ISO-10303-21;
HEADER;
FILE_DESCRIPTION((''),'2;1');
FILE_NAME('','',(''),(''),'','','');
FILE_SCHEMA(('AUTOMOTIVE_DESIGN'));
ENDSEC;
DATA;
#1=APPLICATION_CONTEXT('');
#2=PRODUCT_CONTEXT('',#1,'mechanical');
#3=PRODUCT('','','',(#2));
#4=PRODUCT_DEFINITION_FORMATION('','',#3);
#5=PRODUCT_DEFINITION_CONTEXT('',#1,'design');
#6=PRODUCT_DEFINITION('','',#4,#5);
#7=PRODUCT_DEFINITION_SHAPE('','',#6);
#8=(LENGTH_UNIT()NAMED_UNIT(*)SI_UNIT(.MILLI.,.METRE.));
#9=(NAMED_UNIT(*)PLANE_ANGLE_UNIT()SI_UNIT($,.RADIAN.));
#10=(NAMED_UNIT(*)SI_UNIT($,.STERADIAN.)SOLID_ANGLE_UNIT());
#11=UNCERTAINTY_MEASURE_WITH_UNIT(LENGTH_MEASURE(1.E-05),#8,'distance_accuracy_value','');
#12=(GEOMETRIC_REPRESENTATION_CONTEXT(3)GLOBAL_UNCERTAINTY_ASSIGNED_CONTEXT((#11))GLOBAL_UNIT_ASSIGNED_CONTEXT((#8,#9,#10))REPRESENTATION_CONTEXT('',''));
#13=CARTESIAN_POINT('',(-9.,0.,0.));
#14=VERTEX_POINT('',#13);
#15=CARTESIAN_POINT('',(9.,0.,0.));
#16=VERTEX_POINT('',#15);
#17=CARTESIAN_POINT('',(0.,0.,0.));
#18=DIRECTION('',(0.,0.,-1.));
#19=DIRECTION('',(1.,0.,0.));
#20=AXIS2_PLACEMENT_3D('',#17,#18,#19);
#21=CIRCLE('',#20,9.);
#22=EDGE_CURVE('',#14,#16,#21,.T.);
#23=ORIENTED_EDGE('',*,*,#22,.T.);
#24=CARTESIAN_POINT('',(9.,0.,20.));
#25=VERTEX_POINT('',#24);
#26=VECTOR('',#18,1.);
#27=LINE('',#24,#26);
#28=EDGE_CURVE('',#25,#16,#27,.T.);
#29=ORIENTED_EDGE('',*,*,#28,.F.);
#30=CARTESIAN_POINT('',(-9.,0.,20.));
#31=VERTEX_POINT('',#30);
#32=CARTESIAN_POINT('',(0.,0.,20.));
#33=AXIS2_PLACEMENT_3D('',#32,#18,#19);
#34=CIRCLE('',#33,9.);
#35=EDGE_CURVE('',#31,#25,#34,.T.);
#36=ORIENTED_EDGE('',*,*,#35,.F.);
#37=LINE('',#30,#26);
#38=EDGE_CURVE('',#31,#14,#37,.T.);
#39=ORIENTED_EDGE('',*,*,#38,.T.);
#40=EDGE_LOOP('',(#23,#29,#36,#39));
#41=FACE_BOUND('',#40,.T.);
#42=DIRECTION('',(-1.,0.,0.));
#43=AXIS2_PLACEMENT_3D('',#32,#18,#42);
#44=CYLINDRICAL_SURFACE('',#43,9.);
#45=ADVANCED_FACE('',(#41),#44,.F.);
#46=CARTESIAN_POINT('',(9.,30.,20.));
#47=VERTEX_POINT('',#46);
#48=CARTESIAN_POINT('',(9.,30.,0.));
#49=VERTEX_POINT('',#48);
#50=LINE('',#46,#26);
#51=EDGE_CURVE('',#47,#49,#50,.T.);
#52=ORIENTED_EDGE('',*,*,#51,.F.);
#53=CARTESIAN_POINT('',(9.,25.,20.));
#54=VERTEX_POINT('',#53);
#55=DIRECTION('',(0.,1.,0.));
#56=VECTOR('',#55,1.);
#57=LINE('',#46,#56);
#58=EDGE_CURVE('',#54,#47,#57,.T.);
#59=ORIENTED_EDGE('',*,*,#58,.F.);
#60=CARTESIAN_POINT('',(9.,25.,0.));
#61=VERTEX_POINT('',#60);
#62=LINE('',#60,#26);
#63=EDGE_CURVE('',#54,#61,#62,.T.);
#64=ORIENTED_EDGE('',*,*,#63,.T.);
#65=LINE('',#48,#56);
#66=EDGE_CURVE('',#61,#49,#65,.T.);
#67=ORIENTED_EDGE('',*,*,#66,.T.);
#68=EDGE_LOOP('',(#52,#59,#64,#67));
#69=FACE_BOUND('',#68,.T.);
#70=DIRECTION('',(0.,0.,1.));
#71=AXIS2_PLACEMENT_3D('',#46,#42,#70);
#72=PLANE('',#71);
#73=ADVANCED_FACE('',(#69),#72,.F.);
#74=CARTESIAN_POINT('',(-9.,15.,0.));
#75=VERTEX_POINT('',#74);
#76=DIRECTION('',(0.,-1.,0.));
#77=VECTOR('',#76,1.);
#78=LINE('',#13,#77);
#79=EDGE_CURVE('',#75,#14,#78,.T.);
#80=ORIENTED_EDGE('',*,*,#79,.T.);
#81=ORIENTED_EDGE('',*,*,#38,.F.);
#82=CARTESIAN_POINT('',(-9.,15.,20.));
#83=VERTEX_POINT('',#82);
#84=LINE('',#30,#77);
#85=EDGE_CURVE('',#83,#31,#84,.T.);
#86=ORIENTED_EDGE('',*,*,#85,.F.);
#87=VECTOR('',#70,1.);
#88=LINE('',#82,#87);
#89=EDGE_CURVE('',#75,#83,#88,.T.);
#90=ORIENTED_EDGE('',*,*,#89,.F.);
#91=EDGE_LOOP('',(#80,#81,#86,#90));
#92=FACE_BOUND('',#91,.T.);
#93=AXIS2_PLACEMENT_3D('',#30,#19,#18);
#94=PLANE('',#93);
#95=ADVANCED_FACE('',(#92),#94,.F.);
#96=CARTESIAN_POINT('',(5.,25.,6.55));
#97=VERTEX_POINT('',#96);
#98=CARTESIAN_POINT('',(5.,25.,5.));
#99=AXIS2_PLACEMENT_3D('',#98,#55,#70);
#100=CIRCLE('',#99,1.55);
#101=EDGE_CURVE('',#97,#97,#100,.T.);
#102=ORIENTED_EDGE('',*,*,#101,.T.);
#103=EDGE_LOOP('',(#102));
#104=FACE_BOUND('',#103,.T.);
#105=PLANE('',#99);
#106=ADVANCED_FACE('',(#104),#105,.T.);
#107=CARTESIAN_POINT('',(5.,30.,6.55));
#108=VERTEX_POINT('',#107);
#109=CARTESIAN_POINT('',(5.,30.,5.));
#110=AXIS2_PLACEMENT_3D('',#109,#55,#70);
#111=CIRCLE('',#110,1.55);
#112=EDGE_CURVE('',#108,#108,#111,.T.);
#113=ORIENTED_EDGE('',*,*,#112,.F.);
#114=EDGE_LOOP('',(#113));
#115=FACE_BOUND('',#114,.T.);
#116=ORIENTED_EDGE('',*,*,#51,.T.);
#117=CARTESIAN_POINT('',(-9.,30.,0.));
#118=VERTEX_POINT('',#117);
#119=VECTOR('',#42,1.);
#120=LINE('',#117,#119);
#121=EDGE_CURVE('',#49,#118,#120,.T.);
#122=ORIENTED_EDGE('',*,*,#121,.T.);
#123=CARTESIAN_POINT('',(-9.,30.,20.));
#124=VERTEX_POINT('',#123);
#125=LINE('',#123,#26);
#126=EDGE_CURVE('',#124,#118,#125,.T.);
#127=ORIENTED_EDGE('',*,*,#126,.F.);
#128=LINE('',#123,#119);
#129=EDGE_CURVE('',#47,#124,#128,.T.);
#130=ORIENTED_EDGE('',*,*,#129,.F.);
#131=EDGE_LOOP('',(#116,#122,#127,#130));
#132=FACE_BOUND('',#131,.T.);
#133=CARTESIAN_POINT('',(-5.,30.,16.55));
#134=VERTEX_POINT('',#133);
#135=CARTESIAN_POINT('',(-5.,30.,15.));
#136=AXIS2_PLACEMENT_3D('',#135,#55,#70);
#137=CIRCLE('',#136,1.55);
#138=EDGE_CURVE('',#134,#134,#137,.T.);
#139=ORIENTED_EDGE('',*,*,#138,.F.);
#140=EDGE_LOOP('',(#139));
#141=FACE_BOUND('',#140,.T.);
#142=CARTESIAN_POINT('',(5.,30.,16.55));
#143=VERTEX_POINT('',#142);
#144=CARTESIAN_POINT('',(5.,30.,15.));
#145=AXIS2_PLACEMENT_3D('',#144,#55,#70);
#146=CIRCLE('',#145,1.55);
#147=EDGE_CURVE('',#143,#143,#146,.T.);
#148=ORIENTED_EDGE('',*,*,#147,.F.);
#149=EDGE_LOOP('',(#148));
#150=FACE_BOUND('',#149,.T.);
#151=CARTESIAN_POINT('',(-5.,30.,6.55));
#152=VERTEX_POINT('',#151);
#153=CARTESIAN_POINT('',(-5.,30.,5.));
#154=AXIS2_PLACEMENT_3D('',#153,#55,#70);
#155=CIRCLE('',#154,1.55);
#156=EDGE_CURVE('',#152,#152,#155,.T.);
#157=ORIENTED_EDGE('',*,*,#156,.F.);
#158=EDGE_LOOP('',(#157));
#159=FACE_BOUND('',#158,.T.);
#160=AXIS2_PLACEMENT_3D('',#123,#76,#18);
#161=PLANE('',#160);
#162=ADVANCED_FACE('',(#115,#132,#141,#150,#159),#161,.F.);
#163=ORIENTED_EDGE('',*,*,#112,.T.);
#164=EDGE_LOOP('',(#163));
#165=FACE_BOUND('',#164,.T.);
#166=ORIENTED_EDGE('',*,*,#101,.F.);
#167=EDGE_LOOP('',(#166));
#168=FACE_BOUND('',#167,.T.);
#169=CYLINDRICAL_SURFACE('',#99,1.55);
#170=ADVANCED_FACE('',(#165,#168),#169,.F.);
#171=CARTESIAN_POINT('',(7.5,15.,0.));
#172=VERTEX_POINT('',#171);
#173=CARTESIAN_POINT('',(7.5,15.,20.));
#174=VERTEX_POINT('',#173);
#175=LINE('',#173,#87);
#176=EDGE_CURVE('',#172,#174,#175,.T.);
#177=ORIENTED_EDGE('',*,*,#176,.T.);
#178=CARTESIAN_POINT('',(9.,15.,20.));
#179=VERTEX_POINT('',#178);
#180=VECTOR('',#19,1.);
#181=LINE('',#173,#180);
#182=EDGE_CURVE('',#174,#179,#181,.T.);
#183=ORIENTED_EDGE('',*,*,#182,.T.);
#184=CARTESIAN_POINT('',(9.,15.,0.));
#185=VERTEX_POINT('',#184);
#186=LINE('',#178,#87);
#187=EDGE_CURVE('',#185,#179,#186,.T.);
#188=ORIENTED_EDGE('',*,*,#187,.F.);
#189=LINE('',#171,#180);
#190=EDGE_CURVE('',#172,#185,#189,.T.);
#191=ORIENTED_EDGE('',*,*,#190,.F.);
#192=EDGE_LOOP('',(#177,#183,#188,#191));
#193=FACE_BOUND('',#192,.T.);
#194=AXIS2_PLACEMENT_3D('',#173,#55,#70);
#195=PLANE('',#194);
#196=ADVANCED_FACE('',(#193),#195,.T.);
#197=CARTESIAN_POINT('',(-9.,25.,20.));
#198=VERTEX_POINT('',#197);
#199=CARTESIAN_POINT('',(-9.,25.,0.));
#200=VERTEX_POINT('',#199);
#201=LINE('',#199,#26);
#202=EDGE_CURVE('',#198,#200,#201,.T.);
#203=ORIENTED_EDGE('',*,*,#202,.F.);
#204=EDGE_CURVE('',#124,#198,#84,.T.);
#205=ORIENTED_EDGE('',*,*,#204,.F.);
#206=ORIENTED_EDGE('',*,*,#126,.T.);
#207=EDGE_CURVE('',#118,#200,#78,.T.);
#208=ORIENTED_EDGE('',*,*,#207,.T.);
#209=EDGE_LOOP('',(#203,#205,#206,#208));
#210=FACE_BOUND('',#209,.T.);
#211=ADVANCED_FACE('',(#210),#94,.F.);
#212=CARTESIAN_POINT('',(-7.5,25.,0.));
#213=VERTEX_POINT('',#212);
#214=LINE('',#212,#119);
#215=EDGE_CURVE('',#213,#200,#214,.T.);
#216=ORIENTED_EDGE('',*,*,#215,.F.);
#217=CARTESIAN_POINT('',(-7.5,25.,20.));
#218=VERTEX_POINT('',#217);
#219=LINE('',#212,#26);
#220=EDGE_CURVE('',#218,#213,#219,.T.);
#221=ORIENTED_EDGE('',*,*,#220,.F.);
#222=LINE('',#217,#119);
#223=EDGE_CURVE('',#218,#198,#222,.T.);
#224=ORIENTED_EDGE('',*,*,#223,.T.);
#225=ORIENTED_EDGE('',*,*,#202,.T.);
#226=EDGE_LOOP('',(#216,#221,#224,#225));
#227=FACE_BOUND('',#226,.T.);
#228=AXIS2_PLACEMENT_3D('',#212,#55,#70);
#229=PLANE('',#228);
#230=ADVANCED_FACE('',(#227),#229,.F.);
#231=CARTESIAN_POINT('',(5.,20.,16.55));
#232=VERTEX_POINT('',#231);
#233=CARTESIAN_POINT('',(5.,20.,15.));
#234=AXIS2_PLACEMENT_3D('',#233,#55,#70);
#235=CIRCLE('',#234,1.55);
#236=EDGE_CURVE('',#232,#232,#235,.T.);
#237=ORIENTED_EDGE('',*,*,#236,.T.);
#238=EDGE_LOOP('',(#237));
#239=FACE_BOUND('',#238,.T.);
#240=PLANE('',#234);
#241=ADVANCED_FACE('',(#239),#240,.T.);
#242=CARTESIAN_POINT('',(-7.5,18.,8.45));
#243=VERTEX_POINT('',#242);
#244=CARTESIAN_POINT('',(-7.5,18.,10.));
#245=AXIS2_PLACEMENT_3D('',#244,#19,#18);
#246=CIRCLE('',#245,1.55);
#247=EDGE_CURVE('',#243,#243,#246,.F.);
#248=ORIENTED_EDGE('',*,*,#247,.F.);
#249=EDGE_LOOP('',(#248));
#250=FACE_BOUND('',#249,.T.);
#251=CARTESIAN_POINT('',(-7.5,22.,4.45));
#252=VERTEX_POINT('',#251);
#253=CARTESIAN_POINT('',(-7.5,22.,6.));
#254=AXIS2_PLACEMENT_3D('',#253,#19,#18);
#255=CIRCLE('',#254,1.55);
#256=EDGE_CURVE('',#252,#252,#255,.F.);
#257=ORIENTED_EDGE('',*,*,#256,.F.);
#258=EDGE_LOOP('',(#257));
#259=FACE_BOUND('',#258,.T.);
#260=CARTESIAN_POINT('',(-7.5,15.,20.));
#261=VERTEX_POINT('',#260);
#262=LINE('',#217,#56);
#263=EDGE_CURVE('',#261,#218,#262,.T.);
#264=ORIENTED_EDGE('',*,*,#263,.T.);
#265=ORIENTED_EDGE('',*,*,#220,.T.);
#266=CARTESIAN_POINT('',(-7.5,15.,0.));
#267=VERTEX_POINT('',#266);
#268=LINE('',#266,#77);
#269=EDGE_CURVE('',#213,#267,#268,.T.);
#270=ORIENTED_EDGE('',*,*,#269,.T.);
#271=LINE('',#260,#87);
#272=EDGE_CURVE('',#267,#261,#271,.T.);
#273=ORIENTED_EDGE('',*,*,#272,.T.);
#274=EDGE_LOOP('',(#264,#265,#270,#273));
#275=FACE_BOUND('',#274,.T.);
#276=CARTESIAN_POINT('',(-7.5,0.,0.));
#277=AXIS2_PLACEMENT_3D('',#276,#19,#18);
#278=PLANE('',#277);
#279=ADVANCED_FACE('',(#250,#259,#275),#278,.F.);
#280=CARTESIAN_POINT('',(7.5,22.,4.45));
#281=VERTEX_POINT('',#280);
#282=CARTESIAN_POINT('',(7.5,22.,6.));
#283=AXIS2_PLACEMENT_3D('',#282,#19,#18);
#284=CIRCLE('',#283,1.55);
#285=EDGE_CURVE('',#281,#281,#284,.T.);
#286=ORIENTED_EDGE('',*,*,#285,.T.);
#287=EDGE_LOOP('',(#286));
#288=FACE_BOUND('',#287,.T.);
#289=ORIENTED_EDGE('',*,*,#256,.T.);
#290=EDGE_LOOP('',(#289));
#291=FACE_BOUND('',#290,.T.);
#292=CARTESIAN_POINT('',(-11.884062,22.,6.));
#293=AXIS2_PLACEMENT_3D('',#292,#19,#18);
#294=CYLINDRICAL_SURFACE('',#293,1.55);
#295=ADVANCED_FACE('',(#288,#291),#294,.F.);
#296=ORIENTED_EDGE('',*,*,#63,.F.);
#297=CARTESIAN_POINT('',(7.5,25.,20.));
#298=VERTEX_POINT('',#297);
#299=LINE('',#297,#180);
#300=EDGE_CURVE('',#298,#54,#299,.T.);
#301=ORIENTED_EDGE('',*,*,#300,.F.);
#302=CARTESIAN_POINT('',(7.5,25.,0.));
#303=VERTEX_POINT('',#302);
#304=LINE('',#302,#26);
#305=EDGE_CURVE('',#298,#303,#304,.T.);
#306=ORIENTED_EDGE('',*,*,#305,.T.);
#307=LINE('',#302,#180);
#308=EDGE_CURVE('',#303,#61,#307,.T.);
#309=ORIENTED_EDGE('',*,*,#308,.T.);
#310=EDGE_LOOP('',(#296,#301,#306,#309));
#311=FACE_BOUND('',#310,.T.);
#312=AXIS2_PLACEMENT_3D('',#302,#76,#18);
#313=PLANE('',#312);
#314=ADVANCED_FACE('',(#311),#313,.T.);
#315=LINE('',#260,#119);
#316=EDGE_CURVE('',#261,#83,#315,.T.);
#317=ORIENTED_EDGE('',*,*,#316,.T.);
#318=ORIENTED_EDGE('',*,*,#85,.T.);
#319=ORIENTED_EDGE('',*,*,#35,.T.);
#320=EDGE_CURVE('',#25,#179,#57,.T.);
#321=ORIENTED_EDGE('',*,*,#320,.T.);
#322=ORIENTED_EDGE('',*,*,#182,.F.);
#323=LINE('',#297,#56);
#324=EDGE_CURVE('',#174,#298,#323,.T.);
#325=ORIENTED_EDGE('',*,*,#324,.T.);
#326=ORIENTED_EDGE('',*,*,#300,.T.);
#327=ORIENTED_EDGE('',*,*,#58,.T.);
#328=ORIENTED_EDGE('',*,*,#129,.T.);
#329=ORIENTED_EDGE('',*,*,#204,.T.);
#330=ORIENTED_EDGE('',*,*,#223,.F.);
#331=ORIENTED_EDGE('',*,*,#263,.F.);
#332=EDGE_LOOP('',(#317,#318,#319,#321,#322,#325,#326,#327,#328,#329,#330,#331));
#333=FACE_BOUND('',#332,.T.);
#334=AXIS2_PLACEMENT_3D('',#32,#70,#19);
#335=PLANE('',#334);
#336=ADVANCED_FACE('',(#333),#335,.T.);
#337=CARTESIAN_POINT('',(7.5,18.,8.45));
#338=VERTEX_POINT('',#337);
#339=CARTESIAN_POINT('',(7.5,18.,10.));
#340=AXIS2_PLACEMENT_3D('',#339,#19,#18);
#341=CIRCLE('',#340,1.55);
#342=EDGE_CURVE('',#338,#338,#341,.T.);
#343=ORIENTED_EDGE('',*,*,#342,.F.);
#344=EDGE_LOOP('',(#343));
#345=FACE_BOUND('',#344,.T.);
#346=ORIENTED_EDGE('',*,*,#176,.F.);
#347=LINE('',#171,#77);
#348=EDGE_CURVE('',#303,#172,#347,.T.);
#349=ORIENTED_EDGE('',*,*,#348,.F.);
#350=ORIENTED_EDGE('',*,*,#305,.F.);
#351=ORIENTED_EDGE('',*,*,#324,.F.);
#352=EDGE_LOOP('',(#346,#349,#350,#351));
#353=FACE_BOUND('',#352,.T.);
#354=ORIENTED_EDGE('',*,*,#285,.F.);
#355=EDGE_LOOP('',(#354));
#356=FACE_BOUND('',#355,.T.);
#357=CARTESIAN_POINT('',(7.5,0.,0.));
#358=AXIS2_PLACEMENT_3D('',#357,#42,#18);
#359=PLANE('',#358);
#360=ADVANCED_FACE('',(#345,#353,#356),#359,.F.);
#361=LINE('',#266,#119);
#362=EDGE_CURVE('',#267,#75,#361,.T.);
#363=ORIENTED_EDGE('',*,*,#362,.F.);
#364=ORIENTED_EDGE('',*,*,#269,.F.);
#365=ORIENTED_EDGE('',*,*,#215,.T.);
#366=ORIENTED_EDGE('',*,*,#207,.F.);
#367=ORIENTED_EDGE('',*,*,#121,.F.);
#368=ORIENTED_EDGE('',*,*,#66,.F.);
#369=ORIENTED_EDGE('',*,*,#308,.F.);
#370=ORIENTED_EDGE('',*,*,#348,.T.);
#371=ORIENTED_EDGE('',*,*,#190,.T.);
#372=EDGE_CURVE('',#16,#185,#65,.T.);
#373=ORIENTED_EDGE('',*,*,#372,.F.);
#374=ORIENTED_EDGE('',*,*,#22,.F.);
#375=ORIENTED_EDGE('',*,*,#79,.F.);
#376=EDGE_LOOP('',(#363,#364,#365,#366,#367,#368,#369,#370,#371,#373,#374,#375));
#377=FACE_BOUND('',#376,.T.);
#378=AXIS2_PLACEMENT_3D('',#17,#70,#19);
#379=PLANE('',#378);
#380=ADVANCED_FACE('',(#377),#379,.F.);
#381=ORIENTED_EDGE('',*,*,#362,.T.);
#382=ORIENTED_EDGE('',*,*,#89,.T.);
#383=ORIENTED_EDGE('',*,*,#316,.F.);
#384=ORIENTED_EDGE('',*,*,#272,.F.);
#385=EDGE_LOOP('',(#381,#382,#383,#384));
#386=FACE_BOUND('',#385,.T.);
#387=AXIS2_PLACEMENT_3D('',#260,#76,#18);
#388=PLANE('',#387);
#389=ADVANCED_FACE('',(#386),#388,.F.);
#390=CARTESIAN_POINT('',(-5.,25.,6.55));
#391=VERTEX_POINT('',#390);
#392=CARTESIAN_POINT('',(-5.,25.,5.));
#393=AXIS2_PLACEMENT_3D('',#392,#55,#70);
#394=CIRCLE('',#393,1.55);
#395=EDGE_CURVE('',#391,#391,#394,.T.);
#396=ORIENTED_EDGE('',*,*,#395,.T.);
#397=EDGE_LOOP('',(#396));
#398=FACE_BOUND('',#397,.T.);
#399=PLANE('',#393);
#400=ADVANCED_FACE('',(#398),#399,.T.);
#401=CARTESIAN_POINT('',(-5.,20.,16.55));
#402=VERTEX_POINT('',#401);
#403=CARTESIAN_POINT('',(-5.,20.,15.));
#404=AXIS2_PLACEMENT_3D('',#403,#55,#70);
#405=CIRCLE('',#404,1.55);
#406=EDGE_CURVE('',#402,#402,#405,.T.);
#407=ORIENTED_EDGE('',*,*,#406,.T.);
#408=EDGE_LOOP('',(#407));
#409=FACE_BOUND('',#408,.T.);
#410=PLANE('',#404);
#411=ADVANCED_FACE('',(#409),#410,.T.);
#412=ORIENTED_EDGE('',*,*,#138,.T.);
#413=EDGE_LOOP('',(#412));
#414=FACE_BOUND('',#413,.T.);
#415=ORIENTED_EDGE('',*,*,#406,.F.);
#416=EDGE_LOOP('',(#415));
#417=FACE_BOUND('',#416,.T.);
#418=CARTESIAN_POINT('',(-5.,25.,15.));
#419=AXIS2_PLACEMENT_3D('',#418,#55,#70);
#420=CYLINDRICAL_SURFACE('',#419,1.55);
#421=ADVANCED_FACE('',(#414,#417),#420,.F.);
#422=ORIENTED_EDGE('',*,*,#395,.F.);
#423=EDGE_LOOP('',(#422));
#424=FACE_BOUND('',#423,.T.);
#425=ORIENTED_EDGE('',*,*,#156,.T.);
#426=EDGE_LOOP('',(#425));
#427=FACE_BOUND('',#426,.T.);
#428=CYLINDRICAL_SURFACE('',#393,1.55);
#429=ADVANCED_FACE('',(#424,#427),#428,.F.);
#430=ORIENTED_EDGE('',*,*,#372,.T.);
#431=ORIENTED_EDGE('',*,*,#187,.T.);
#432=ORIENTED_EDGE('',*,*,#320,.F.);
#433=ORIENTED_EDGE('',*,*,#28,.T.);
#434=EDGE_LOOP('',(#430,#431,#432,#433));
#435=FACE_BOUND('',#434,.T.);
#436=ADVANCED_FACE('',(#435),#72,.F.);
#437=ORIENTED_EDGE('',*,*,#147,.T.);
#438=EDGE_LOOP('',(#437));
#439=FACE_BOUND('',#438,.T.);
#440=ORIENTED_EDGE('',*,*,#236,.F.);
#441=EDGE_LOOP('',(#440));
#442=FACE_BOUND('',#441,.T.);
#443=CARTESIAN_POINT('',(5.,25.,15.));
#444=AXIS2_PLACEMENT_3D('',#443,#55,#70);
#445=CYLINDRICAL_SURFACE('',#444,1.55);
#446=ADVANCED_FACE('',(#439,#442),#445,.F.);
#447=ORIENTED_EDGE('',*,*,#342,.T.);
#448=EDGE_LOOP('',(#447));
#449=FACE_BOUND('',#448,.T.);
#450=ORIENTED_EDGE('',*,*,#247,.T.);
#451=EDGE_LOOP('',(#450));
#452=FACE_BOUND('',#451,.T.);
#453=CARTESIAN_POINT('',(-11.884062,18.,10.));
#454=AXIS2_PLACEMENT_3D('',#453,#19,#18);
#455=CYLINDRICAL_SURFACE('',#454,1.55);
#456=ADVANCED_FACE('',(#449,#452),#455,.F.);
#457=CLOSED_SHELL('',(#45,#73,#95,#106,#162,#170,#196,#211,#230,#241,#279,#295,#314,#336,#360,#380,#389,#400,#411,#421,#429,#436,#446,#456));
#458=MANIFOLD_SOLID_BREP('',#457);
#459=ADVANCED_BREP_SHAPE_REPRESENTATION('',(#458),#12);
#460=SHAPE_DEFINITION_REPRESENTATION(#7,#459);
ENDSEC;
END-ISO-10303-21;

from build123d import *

# Parameters (mm, degrees)
EXTRUDE_1_DEPTH     = 20
SKETCH_2_W          = 20
SKETCH_2_H          = 10
CUT_EXTRUDE_1_DEPTH = 1.5
SKETCH_3_R          = 1.55
CUT_EXTRUDE_2_DEPTH = 15
SKETCH_4_R          = 1.55
CUT_EXTRUDE_5_DEPTH = 5
SKETCH_6_R          = 1.55
CUT_EXTRUDE_6_DEPTH = 10


with BuildPart() as part:
    # 草图1 → 凸台-拉伸1 (new body)
    with BuildSketch(Plane.XY):
        with BuildLine():
            Line((-9, 0), (-9, 30))
            Line((-9, 30), (9, 30))
            Line((9, 30), (9, 0))
            ThreePointArc((9, 0), (0, 9), (-9, 0))
        make_face()
    extrude(amount=EXTRUDE_1_DEPTH)

    # 草图2 → 切除-拉伸1 (cut)
    with BuildSketch(Plane.ZY.offset(9)):
        with Locations((10, 20)):
            Rectangle(SKETCH_2_W, SKETCH_2_H)
    cut_extrude_1 = extrude(amount=-CUT_EXTRUDE_1_DEPTH, mode=Mode.SUBTRACT)

    # 镜向1: 切除-拉伸1 across plane
    add(cut_extrude_1.mirror(Plane(origin=(0, 0, 0), x_dir=(0, 0, 1), z_dir=(1, 0, 0))), mode=Mode.SUBTRACT)

    # 草图3 → 切除-拉伸2 (cut)
    with BuildSketch(Plane(origin=(7.5, 0, 0), x_dir=(0, 0, -1), z_dir=(1, 0, 0))):
        with Locations((-6, 22)):
            Circle(SKETCH_3_R)
        with Locations((-10, 18)):
            Circle(SKETCH_3_R)
    extrude(amount=-CUT_EXTRUDE_2_DEPTH, mode=Mode.SUBTRACT)

    # 草图4 → 切除-拉伸5 (cut)
    with BuildSketch(Plane(origin=(0, 30, 0), x_dir=(1, 0, 0), z_dir=(0, 1, 0))):
        with Locations((-5, -5)):
            Circle(SKETCH_4_R)
        with Locations((5, -5)):
            Circle(SKETCH_4_R)
        with Locations((5, -15)):
            Circle(SKETCH_4_R)
        with Locations((-5, -15)):
            Circle(SKETCH_4_R)
    extrude(amount=-CUT_EXTRUDE_5_DEPTH, mode=Mode.SUBTRACT)

    # 草图6 → 切除-拉伸6 (cut)
    with BuildSketch(Plane(origin=(0, 30, 0), x_dir=(1, 0, 0), z_dir=(0, 1, 0))):
        with Locations((-5, -15)):
            Circle(SKETCH_6_R)
        with Locations((5, -15)):
            Circle(SKETCH_6_R)
    extrude(amount=-CUT_EXTRUDE_6_DEPTH, mode=Mode.SUBTRACT)


solid = part.part
